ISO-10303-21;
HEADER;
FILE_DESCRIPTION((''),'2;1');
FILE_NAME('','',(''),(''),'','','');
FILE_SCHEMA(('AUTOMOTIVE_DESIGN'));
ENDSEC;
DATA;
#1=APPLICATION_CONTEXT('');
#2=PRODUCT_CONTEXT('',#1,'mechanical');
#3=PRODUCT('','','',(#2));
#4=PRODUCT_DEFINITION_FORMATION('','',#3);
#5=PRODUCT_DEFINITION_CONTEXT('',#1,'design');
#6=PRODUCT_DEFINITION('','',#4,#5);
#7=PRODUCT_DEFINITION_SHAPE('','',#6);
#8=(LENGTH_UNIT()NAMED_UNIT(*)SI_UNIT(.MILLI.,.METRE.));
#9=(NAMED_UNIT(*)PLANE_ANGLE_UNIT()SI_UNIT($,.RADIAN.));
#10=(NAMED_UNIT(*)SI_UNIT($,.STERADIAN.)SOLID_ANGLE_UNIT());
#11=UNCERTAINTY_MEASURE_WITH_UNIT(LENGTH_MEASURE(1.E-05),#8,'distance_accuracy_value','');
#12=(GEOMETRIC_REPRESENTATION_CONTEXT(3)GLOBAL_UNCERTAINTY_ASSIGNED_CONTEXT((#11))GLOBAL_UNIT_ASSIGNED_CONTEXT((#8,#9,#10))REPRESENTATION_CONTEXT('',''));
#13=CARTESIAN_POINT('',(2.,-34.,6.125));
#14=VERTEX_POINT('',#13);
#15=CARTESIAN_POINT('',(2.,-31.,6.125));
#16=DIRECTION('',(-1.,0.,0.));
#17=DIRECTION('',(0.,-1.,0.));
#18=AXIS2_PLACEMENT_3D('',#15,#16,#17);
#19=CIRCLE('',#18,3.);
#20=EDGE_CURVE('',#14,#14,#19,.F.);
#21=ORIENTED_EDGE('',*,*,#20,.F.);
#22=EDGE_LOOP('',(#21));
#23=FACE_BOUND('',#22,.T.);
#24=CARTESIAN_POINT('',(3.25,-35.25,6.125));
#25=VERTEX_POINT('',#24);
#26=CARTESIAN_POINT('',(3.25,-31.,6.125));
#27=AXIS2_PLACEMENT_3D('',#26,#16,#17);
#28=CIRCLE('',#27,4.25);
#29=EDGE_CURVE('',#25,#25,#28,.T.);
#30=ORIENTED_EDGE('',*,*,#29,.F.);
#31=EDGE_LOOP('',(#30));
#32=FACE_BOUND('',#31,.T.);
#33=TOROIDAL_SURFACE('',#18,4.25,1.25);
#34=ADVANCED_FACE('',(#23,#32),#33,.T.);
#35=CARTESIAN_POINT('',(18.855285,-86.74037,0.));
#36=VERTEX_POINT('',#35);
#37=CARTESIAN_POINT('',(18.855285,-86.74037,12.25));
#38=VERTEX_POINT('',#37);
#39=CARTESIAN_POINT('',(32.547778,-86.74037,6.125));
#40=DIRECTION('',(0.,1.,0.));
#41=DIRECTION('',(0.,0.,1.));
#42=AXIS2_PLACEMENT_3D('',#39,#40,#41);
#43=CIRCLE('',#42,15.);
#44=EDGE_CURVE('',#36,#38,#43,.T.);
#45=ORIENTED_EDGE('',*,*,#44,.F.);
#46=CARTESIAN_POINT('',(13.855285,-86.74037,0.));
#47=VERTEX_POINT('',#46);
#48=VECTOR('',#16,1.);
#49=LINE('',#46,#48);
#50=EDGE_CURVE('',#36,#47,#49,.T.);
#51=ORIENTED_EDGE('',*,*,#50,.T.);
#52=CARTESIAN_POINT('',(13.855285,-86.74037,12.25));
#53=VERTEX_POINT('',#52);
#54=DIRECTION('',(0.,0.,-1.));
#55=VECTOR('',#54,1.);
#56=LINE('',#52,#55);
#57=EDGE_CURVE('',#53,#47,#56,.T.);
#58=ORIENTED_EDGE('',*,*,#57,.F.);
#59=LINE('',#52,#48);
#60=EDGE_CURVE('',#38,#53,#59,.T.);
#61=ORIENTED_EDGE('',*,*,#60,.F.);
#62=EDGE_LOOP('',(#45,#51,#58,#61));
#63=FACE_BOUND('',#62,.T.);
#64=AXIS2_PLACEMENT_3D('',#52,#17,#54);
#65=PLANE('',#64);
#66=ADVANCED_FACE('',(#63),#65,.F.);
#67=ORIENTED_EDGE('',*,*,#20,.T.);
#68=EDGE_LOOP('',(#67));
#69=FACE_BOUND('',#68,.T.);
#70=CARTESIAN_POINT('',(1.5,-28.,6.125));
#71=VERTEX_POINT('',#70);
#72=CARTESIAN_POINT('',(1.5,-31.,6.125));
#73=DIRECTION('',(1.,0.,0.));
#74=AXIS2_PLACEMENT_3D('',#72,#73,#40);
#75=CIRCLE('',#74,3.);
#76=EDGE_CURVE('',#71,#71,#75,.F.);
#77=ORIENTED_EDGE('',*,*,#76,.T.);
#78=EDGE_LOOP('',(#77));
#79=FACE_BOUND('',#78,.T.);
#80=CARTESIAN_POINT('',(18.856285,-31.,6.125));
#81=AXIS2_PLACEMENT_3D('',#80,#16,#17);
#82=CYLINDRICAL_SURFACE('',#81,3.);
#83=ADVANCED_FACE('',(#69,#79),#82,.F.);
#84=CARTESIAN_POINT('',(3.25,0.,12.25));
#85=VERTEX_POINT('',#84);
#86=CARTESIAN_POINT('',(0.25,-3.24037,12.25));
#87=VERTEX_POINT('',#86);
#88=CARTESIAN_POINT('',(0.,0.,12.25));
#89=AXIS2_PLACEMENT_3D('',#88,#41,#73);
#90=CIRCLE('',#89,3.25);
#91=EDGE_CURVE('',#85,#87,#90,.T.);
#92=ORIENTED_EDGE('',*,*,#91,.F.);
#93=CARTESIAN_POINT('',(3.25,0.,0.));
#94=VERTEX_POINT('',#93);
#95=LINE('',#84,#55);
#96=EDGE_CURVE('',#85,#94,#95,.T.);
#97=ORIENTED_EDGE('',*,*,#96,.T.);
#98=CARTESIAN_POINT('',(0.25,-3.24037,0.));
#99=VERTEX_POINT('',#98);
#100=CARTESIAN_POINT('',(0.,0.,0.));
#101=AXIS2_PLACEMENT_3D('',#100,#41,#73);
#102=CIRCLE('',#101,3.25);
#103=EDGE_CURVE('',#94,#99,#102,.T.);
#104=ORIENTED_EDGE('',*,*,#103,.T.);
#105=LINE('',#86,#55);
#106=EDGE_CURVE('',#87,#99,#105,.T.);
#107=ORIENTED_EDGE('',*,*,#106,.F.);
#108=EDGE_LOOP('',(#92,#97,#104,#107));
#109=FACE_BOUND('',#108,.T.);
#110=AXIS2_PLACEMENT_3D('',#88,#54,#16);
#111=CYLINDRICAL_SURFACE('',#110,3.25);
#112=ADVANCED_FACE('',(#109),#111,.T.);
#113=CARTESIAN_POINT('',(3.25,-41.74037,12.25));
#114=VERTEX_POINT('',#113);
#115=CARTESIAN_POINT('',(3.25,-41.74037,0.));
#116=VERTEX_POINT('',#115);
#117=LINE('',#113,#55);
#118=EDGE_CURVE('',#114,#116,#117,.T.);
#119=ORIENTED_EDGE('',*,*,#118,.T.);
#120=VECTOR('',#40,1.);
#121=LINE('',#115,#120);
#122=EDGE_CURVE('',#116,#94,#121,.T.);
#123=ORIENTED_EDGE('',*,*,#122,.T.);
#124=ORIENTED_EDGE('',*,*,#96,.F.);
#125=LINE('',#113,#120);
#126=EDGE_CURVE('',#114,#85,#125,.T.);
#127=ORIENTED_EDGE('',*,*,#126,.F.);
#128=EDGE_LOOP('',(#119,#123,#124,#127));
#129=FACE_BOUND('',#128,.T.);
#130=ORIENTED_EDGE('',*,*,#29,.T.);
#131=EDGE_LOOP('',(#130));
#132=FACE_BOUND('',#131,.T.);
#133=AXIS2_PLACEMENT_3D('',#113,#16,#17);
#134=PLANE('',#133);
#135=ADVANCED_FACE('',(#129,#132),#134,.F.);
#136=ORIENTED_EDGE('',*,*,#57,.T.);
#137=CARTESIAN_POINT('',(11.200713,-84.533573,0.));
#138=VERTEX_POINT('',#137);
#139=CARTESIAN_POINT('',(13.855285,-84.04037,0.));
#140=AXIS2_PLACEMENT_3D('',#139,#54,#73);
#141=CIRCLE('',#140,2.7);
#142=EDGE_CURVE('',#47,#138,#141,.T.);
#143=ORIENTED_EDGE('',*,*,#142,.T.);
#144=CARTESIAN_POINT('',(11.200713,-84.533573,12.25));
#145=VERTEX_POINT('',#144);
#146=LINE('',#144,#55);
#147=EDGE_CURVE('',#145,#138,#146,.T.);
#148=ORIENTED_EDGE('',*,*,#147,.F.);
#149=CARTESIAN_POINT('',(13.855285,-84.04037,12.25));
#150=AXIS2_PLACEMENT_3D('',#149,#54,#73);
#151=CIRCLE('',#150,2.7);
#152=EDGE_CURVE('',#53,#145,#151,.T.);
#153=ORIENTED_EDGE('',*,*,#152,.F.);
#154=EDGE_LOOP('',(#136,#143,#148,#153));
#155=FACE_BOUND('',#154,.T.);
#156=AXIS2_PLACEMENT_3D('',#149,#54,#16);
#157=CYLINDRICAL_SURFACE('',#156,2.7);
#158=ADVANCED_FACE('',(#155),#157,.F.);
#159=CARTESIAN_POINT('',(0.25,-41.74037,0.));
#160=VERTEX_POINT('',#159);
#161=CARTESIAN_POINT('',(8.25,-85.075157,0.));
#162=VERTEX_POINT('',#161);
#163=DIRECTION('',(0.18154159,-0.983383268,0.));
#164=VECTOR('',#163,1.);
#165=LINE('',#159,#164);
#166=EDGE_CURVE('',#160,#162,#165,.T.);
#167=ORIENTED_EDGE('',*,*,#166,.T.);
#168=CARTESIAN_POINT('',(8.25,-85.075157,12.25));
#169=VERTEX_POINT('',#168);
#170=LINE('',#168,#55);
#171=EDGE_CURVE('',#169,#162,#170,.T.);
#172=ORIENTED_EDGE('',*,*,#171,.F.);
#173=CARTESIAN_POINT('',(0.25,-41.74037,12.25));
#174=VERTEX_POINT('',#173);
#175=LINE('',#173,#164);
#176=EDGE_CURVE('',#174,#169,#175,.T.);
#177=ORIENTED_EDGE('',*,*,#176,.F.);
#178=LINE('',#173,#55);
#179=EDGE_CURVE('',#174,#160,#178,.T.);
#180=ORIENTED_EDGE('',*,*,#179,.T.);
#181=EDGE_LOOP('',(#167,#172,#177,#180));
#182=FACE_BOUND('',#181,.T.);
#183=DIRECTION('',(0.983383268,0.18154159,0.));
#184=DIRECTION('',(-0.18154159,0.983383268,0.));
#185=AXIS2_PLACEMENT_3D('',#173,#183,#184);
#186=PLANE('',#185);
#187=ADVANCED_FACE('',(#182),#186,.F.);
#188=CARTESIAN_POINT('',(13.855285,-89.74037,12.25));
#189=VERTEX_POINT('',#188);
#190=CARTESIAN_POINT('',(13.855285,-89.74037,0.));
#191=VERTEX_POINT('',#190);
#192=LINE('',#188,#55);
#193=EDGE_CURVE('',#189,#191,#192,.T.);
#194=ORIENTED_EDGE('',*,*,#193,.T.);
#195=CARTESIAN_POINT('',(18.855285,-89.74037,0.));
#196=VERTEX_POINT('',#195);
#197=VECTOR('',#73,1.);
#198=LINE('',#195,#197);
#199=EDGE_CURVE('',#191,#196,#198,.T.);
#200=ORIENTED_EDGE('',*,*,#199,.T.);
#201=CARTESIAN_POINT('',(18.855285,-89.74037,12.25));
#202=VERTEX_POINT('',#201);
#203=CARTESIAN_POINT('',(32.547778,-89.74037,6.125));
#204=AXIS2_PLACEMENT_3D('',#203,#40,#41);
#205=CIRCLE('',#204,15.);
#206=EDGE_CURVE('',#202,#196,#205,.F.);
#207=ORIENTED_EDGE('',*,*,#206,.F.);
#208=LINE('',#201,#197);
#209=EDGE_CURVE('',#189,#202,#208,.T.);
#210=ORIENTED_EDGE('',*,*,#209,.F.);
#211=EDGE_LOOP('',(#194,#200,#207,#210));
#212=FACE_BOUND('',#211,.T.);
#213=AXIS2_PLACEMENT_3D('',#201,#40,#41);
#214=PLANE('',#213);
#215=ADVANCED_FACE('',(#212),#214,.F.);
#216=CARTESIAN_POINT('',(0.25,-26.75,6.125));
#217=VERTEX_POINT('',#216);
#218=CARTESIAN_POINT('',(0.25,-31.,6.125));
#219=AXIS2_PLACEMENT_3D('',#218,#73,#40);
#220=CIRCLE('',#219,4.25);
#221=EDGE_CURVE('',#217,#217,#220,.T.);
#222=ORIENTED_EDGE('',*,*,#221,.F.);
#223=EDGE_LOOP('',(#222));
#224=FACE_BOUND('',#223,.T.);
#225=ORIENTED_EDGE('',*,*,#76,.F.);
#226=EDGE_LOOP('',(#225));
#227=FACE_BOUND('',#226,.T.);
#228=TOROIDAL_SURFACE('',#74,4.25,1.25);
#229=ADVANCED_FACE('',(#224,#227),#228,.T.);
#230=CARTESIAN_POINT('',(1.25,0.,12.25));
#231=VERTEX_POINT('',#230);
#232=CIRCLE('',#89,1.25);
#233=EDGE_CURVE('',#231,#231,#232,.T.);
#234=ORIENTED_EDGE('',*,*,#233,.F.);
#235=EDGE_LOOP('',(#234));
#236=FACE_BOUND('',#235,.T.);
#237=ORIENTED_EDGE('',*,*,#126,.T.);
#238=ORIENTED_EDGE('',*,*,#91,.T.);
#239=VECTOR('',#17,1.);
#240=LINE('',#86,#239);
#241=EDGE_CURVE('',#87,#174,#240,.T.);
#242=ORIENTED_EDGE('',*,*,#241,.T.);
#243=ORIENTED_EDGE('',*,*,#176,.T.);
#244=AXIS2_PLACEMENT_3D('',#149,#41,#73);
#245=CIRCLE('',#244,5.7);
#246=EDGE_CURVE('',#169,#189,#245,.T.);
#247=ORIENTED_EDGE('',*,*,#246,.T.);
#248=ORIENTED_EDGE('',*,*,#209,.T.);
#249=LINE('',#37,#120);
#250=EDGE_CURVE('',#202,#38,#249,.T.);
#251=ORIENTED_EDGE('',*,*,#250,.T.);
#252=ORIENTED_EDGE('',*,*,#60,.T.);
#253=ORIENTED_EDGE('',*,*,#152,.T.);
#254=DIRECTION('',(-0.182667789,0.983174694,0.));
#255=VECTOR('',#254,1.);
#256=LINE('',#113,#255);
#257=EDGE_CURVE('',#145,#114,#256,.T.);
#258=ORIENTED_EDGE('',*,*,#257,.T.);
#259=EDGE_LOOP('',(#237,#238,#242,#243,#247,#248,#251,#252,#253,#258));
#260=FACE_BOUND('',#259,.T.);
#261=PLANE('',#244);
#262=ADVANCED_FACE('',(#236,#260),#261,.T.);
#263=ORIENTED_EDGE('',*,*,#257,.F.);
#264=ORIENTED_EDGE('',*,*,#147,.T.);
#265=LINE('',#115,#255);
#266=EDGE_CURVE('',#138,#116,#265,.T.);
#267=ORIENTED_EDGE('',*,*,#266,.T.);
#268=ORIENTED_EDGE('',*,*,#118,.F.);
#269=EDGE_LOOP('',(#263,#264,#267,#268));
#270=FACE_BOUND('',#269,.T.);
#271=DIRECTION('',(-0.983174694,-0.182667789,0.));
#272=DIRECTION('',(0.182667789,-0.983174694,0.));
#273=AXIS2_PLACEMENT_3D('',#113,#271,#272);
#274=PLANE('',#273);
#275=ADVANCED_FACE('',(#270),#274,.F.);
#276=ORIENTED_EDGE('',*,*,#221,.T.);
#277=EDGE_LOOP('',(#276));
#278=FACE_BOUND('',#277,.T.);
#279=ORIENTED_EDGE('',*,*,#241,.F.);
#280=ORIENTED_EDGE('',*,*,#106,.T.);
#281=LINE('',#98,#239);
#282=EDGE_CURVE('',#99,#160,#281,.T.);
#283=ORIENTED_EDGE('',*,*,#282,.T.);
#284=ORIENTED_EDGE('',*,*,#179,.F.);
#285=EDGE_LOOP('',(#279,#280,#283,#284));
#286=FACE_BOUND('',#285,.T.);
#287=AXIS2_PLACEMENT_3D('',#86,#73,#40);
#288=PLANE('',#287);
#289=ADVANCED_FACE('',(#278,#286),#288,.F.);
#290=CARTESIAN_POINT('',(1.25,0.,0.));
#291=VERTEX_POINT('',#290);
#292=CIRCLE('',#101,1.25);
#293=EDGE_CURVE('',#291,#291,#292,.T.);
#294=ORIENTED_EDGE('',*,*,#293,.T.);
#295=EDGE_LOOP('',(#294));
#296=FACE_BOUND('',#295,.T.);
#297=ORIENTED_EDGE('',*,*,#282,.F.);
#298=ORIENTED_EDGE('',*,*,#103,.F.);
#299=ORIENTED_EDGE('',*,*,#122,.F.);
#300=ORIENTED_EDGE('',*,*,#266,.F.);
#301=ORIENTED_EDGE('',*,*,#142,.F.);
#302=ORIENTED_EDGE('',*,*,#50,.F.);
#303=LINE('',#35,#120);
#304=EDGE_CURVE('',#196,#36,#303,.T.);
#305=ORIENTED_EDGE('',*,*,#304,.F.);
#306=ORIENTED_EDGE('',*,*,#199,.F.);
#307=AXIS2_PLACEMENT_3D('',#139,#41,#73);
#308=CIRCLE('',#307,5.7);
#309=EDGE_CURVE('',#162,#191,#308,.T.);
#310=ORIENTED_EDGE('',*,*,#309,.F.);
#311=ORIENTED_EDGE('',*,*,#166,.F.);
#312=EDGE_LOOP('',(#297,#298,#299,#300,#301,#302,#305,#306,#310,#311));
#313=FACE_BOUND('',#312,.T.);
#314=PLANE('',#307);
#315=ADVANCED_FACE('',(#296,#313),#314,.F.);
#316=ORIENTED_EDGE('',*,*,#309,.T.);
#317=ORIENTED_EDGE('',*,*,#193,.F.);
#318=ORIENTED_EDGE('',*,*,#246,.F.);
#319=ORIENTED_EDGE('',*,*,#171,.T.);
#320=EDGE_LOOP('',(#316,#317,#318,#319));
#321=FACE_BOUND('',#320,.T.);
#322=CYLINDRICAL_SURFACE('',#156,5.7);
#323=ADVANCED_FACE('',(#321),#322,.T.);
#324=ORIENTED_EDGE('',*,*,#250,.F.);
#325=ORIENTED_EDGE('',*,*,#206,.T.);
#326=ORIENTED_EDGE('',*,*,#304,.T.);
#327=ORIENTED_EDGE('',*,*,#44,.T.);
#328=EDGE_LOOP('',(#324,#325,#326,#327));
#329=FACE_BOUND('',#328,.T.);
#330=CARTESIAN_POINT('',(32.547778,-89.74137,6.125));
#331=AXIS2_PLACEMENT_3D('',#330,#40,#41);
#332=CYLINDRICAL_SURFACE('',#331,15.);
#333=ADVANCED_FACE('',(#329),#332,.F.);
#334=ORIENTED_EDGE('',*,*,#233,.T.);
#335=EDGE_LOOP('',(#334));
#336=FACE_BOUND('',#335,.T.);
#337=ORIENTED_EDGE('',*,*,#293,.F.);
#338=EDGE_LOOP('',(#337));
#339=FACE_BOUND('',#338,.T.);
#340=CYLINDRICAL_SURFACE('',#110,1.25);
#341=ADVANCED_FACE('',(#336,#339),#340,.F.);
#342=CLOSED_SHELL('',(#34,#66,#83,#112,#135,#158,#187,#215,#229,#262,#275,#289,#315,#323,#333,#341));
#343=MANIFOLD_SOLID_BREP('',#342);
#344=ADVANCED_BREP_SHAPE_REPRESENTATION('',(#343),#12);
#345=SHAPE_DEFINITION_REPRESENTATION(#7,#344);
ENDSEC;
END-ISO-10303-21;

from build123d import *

# Parameters (mm, degrees)
SKETCH1_R           = 1.25
BOSS_EXTRUDE1_DEPTH = 12.25
CUT_EXTRUDE1_REACH  = 94.464
SKETCH2_R           = 3
FILLET1_R           = 1.25
CUT_EXTRUDE2_REACH  = 94.757


with BuildPart() as part:
    # Sketch1 → Boss-Extrude1 (new body)
    with BuildSketch(Plane.XY):
        with BuildLine():
            Line((0.25, -3.240370349), (0.25, -41.740370349))
            Line((0.25, -41.740370349), (8.25, -85.075157412))
            ThreePointArc((8.25, -85.075157412), (10.208936196, -88.421482437), (13.855284626, -89.740370349))
            Line((13.855284626, -89.740370349), (18.855284626, -89.740370349))
            Line((18.855284626, -89.740370349), (18.855284626, -86.740370349))
            Line((18.855284626, -86.740370349), (13.855284626, -86.740370349))
            ThreePointArc((13.855284626, -86.740370349), (12.129255683, -86.116622764), (11.200712952, -84.533573379))
            Line((11.200712952, -84.533573379), (3.25, -41.740370349))
            Line((3.25, -41.740370349), (3.25, 0))
            ThreePointArc((3.25, 0), (-2.384848004, 2.207940217), (0.25, -3.240370349))
        make_face()
        Circle(SKETCH1_R, mode=Mode.SUBTRACT)
    extrude(amount=BOSS_EXTRUDE1_DEPTH)

    # Sketch2 → Cut-Extrude1 (cut, up to next)
    with BuildSketch(Plane.ZY.offset(-0.25), mode=Mode.PRIVATE) as cut_extrude1_sk1:
        with Locations(Location((6.125, -31, 0), (0, 0, 270))):
            Circle(SKETCH2_R)
    cut_extrude1_tool1 = extrude(cut_extrude1_sk1.sketch, amount=-CUT_EXTRUDE1_REACH, mode=Mode.PRIVATE) & part.part
    add(cut_extrude1_tool1.solids().sort_by_distance((0.25, -31, 6.125))[0], mode=Mode.SUBTRACT)

    # Fillet1
    fillet1_edges = [part.edges().sort_by_distance(p)[0] for p in [
        (0.25, -28, 6.125),
        (3.25, -28, 6.125),
    ]]
    fillet(fillet1_edges, radius=FILLET1_R)

    # Sketch4 → Cut-Extrude2 (cut, up to next)
    with BuildSketch(Plane(origin=(0, -86.740370349, 0), x_dir=(1, 0, 0), z_dir=(0, 1, 0)), mode=Mode.PRIVATE) as cut_extrude2_sk1:
        with BuildLine():
            Line((18.855284626, 0), (18.855284626, -12.25))
            ThreePointArc((18.855284626, -12.25), (17.547778007, -6.125), (18.855284626, 0))
        make_face()
    cut_extrude2_tool1 = extrude(cut_extrude2_sk1.sketch, amount=-CUT_EXTRUDE2_REACH, mode=Mode.PRIVATE) & part.part
    add(cut_extrude2_tool1.solids().sort_by_distance((18.330278, -86.74037, 6.125))[0], mode=Mode.SUBTRACT)


solid = part.part
